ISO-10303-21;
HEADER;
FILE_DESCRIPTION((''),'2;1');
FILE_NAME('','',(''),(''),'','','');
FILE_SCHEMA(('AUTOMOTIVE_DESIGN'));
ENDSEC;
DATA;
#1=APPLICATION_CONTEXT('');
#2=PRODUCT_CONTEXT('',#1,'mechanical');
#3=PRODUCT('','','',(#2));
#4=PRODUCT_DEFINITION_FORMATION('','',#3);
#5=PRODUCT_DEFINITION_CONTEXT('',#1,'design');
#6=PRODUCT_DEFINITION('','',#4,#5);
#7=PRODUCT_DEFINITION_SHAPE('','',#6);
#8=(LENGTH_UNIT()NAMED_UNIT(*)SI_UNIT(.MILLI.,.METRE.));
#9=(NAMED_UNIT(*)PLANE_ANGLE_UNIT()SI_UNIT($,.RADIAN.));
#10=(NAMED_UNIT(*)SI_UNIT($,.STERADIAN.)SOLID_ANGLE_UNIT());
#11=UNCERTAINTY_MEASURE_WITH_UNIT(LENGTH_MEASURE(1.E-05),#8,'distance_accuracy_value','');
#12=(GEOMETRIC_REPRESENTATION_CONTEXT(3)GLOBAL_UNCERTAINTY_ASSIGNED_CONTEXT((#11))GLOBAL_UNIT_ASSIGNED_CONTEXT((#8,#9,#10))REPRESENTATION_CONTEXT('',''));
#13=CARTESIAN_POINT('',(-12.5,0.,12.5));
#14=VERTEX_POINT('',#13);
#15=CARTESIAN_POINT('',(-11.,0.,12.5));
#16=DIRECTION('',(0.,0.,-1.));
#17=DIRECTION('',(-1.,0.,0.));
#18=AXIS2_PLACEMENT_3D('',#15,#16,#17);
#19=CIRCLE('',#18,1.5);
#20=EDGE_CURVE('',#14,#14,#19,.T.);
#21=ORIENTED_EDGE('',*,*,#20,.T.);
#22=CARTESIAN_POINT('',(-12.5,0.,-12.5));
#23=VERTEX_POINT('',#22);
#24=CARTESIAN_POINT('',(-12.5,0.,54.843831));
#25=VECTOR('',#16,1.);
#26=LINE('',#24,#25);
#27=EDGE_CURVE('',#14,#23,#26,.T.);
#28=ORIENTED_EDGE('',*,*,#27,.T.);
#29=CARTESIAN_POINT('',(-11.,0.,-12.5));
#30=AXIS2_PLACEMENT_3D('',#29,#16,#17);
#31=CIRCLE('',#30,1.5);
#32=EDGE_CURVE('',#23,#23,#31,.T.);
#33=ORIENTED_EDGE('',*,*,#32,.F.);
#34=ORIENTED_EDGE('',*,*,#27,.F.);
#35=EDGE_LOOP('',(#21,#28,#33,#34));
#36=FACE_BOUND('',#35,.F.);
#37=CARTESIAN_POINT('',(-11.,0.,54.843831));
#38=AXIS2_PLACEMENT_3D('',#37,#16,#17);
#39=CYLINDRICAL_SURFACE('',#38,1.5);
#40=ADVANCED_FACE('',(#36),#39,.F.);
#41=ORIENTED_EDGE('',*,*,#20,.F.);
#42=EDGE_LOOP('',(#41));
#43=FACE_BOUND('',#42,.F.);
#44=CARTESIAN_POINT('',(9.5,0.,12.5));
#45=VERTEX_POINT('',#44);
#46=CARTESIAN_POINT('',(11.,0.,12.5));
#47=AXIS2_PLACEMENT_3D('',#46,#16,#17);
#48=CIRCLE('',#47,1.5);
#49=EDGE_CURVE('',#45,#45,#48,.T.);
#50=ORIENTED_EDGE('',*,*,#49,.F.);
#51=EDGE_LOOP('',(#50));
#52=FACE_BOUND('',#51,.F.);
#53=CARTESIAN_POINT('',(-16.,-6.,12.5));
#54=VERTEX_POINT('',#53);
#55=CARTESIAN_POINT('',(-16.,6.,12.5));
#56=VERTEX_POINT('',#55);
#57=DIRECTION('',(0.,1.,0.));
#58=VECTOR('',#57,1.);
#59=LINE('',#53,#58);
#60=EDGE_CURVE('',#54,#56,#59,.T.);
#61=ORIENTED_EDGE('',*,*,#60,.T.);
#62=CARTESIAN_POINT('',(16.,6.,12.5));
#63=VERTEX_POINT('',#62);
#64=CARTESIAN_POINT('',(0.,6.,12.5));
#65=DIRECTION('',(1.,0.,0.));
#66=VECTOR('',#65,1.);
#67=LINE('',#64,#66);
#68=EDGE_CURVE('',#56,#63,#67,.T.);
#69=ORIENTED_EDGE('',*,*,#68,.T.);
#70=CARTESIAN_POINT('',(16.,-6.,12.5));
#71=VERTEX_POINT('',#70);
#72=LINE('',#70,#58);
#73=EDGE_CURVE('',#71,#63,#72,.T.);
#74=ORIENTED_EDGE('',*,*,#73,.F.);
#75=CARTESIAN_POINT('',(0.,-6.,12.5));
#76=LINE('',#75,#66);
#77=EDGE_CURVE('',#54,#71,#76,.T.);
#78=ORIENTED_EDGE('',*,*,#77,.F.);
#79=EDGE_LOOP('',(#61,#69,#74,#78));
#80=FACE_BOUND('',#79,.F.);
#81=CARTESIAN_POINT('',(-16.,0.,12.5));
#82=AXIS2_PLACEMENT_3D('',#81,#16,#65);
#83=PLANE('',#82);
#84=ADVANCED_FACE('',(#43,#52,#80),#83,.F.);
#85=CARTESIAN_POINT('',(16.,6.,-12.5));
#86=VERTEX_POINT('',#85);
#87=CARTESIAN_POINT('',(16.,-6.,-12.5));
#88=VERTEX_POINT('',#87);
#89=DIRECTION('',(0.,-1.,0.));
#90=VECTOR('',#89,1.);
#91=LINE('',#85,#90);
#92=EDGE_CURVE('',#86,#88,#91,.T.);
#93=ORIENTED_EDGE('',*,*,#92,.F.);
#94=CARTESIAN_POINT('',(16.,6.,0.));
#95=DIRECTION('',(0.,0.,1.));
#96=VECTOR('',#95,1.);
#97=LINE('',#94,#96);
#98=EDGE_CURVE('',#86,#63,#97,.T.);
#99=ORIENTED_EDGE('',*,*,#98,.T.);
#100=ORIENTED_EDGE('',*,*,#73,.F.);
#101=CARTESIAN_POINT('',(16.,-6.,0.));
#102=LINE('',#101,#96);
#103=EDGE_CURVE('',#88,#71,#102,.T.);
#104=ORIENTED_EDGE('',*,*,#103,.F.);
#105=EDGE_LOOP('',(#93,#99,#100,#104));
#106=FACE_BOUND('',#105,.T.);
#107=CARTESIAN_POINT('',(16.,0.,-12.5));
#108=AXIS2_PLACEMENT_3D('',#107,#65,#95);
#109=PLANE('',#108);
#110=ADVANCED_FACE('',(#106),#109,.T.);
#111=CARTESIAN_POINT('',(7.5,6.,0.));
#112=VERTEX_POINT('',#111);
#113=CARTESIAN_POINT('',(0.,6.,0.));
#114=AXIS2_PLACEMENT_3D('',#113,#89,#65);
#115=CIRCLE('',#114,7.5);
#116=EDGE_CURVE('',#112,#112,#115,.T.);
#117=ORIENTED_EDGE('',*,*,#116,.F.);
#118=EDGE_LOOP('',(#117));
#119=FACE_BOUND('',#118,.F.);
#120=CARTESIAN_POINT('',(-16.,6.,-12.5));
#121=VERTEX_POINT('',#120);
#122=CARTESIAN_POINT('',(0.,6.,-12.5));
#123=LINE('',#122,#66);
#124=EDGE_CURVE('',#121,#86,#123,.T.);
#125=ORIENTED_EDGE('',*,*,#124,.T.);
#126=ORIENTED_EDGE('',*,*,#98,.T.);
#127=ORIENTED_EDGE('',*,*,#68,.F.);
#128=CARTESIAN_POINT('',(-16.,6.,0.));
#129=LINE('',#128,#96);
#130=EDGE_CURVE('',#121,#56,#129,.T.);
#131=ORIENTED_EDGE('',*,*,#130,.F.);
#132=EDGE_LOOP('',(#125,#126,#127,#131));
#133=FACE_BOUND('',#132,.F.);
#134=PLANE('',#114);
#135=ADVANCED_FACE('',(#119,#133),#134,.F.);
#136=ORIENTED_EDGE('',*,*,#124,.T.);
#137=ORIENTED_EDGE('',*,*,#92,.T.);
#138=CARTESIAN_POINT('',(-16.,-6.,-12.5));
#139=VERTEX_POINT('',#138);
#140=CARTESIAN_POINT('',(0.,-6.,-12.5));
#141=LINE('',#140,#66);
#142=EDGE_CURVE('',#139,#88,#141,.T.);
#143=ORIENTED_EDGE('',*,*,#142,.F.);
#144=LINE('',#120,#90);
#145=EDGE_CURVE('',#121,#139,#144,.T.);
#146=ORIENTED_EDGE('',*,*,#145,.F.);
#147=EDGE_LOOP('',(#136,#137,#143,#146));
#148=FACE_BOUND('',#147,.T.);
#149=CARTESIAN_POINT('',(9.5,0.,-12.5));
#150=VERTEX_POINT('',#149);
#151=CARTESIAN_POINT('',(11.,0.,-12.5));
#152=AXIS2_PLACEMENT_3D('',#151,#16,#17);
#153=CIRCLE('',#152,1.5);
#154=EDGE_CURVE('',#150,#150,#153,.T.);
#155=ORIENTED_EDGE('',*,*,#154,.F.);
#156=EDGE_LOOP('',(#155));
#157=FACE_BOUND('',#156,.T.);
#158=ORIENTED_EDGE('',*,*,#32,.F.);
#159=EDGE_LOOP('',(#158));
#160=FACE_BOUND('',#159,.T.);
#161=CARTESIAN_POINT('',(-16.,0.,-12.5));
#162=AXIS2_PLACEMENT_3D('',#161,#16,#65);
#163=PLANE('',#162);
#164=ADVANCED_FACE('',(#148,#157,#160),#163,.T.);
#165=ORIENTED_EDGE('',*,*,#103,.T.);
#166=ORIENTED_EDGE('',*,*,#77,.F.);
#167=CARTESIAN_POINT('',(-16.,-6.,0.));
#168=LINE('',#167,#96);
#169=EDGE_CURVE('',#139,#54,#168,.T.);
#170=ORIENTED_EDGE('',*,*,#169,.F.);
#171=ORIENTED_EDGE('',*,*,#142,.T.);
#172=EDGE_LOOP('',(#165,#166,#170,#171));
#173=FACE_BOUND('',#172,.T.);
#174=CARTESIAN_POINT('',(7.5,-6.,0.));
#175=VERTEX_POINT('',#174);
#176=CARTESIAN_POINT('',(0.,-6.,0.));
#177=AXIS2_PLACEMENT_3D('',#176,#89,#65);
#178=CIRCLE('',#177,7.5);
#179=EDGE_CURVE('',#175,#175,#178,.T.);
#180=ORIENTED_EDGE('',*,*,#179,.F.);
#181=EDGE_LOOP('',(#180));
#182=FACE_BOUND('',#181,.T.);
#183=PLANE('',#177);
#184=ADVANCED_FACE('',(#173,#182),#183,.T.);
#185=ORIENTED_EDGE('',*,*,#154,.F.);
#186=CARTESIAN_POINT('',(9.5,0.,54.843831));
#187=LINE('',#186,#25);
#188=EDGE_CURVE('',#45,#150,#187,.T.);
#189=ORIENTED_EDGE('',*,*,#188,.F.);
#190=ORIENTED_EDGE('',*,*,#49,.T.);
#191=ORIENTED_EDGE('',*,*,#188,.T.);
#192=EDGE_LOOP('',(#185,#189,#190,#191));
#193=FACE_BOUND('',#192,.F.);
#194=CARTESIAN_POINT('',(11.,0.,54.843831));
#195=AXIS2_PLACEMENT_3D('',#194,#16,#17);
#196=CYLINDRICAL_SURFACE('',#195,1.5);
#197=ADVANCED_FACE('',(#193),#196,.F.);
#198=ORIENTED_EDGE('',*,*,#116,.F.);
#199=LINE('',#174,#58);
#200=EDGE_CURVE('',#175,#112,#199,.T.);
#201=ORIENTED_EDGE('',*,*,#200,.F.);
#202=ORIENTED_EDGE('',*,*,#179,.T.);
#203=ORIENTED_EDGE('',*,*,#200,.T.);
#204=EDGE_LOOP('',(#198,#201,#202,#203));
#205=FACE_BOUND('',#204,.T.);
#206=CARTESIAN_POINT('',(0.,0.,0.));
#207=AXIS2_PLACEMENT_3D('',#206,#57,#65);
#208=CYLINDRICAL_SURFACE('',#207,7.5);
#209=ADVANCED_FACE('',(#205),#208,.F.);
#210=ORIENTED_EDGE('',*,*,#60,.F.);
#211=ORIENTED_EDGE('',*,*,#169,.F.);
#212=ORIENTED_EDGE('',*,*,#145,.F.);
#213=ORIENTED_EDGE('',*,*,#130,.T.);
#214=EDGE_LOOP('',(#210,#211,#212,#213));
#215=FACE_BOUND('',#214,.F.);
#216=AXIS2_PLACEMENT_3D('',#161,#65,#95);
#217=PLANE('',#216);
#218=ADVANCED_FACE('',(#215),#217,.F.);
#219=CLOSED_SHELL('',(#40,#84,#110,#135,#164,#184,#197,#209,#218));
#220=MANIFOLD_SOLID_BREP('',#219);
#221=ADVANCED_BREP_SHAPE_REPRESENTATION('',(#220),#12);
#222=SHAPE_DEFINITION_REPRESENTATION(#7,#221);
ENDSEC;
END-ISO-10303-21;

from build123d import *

# Parameters (mm, degrees)
F0_W     = 32
F0_H     = 25
F0_R     = 7.5
F1_DEPTH = 6
F3_D     = 3


with BuildPart() as f1:
    # F0 (on Front) → F1 (new body, symmetric)
    with BuildSketch(Plane.XZ):
        Rectangle(F0_W, F0_H)
        Circle(F0_R, mode=Mode.SUBTRACT)
    extrude(amount=F1_DEPTH, both=True)

    # F3 (through all)
    with Locations(Plane.XY.offset(12.5)):
        with Locations((-11, 0), (11, 0)):
            Hole(F3_D / 2)


solid = f1.part
